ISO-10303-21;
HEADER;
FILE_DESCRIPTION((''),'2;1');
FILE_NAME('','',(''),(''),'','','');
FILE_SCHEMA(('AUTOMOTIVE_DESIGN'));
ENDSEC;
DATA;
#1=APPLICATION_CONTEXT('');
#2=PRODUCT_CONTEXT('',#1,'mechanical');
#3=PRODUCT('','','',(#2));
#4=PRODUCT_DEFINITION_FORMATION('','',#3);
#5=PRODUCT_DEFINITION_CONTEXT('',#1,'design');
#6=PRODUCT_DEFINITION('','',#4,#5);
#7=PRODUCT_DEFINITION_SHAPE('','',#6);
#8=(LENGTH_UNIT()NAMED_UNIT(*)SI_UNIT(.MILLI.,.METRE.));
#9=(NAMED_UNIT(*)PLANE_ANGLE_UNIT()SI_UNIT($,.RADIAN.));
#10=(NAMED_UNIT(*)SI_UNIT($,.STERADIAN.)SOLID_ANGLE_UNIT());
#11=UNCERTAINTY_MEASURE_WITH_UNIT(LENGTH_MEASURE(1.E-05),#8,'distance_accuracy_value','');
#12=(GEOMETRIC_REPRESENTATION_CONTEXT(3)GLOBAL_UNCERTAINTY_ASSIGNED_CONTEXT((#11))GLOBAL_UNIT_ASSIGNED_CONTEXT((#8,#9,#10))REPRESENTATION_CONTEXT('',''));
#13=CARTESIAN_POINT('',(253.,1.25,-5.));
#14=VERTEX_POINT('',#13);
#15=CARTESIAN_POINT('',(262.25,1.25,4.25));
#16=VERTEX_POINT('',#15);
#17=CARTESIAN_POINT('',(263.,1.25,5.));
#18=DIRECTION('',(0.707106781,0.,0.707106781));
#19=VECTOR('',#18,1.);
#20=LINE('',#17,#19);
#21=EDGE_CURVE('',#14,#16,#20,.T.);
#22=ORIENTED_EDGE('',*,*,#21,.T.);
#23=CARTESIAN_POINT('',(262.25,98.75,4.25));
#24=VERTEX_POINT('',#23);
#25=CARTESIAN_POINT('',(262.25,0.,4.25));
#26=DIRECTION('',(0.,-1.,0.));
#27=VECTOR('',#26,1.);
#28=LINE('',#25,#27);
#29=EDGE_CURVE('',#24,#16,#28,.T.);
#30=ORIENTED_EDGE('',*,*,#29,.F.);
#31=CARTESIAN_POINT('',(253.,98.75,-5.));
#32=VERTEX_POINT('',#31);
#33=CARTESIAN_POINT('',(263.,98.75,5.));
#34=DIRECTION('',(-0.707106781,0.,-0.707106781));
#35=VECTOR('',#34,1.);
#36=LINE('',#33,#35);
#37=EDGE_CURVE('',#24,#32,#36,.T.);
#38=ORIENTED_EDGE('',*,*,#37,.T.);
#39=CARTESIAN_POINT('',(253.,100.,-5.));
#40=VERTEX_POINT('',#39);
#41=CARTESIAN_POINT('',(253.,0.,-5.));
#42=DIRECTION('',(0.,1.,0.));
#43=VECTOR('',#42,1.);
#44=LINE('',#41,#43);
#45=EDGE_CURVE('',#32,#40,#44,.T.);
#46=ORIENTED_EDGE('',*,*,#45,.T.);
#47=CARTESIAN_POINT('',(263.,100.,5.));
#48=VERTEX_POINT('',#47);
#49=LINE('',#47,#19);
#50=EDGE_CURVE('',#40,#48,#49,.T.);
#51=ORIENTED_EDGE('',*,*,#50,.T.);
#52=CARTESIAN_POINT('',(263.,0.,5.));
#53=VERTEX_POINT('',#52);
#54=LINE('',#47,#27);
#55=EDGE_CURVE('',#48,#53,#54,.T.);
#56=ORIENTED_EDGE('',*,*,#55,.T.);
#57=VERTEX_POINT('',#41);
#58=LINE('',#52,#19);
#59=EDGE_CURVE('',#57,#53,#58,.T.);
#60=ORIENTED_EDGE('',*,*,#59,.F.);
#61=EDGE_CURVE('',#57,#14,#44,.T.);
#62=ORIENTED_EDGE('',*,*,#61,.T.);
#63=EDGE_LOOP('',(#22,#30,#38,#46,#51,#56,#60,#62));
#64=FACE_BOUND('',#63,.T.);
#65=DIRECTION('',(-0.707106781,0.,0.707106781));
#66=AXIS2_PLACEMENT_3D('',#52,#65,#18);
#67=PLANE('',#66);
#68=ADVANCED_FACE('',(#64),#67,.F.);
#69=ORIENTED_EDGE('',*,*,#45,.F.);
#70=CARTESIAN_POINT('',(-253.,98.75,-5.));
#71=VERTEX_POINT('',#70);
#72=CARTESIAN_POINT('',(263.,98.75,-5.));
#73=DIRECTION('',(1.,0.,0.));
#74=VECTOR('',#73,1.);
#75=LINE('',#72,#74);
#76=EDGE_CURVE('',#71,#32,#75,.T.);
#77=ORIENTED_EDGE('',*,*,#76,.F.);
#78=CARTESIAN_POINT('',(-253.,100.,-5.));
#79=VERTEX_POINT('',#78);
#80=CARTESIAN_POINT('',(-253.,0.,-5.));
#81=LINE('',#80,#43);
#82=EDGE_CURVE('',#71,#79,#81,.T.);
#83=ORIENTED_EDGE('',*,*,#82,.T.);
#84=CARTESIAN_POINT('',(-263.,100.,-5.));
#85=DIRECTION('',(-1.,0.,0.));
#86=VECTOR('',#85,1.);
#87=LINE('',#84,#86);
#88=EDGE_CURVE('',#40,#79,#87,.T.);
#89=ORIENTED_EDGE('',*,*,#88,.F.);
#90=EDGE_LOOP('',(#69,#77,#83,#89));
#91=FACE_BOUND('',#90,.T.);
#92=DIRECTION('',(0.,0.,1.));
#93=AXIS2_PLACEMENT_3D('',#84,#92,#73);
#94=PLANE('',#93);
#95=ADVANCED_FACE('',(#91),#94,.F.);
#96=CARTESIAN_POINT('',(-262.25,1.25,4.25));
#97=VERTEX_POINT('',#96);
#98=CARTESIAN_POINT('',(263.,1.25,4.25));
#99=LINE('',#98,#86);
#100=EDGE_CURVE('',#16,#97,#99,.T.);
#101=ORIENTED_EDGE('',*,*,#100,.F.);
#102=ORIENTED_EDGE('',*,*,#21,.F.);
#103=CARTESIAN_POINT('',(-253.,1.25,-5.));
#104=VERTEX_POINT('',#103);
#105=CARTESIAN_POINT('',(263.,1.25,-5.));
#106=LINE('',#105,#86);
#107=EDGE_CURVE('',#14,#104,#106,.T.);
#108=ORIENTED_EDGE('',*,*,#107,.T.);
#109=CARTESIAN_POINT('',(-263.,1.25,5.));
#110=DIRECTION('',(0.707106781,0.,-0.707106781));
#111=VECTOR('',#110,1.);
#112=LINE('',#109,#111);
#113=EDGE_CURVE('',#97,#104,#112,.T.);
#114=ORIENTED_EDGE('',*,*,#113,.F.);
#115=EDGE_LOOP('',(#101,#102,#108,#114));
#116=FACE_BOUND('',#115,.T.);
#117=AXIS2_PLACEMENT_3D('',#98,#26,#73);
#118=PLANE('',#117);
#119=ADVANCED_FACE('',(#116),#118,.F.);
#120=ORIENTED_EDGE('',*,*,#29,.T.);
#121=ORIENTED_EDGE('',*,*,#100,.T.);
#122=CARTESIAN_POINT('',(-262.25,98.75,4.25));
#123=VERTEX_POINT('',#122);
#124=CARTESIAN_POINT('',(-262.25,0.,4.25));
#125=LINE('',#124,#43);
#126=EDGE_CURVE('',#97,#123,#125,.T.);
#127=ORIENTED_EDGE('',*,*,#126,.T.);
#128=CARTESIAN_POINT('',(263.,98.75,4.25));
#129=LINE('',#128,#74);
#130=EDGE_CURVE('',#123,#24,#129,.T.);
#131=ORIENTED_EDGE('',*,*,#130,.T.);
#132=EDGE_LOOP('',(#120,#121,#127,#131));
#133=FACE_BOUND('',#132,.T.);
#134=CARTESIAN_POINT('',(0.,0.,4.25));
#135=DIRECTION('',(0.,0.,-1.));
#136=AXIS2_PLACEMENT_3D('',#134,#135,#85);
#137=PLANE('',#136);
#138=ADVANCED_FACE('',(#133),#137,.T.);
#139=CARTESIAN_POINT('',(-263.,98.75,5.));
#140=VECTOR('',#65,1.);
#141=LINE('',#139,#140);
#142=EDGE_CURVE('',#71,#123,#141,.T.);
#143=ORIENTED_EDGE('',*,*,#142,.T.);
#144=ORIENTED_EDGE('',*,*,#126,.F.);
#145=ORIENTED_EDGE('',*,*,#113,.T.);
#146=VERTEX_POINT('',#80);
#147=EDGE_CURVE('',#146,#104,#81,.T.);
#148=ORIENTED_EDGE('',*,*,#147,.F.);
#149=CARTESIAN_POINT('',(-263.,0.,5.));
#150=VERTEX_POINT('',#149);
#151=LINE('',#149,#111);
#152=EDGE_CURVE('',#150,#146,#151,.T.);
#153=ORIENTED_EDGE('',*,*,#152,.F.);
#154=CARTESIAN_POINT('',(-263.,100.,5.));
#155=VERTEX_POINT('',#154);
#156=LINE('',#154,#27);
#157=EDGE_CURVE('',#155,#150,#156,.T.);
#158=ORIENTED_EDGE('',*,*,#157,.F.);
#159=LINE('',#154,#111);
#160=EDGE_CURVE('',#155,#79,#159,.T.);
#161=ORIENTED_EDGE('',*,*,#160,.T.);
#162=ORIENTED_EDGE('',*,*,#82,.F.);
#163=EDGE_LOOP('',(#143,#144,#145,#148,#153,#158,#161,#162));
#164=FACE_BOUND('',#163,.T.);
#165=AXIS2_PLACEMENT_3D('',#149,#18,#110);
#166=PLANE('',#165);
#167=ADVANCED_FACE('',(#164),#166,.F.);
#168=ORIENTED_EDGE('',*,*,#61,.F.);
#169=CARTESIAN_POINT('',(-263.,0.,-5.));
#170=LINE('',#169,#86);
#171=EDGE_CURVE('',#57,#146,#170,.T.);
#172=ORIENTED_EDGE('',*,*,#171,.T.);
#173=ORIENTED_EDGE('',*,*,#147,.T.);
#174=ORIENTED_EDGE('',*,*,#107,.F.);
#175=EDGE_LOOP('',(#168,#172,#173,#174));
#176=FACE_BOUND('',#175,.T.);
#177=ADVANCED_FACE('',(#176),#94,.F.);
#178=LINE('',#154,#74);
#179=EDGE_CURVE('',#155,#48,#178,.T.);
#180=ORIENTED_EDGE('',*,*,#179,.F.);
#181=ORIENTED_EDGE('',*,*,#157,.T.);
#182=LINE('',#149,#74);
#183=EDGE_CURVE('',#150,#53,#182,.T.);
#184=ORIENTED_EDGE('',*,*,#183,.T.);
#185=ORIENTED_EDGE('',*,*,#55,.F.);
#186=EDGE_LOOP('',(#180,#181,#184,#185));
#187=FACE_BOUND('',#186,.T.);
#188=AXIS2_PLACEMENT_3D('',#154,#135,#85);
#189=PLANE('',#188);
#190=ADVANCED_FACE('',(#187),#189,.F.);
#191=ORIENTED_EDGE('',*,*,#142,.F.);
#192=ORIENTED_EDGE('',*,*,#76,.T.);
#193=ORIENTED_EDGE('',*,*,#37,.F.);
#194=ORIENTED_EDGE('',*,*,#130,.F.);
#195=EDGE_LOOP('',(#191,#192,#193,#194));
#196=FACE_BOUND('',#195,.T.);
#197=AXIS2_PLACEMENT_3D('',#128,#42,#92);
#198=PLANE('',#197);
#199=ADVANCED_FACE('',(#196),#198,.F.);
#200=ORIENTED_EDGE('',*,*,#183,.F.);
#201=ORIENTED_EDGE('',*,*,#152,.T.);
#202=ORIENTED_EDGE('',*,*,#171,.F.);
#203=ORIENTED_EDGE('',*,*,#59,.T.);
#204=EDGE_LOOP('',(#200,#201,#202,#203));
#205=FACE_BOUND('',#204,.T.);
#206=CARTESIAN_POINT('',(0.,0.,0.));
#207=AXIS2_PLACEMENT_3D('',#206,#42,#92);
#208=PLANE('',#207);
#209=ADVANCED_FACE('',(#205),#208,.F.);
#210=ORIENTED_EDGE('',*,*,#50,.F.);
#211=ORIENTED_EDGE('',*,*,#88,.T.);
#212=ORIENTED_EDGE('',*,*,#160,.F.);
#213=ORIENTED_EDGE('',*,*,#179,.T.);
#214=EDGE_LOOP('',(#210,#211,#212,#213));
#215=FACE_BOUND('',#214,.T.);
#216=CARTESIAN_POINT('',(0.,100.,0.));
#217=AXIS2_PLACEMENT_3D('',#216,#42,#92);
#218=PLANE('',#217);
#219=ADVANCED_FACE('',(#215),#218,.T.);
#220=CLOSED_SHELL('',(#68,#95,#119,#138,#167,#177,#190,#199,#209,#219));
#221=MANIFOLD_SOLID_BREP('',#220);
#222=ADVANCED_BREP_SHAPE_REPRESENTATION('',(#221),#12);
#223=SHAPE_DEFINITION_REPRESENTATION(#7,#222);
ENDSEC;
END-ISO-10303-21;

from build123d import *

# Parameters (mm, degrees)
CROQUIS1_W              = 526
CROQUIS1_H              = 10
SALIENTE_EXTRUIR1_DEPTH = 100
CORTAR_EXTRUIR1_DEPTH   = 100
CROQUIS3_W              = 526
CROQUIS3_H              = 97.5
CORTAR_EXTRUIR2_DEPTH   = 9.25


with BuildPart() as part:
    # Croquis1 → Saliente-Extruir1 (new body)
    with BuildSketch(Plane(origin=(0, 0, 0), x_dir=(1, 0, 0), z_dir=(0, 1, 0))):
        Rectangle(CROQUIS1_W, CROQUIS1_H)
    extrude(amount=SALIENTE_EXTRUIR1_DEPTH)

    # Croquis2 → Cortar-Extruir1 (cut)
    with BuildSketch(Plane(origin=(0, 100, 0), x_dir=(1, 0, 0), z_dir=(0, 1, 0))):
        Polygon((-263, -5), (-253, 5), (-263, 5), align=None)
        Polygon((253, 5), (263, 5), (263, -5), align=None)
    extrude(amount=-CORTAR_EXTRUIR1_DEPTH, mode=Mode.SUBTRACT)

    # Croquis3 → Cortar-Extruir2 (cut)
    with BuildSketch(Plane(origin=(0, 0, -5), x_dir=(-1, 0, 0), z_dir=(0, 0, -1))):
        with Locations((0, 50)):
            Rectangle(CROQUIS3_W, CROQUIS3_H)
    extrude(amount=-CORTAR_EXTRUIR2_DEPTH, mode=Mode.SUBTRACT)


solid = part.part
